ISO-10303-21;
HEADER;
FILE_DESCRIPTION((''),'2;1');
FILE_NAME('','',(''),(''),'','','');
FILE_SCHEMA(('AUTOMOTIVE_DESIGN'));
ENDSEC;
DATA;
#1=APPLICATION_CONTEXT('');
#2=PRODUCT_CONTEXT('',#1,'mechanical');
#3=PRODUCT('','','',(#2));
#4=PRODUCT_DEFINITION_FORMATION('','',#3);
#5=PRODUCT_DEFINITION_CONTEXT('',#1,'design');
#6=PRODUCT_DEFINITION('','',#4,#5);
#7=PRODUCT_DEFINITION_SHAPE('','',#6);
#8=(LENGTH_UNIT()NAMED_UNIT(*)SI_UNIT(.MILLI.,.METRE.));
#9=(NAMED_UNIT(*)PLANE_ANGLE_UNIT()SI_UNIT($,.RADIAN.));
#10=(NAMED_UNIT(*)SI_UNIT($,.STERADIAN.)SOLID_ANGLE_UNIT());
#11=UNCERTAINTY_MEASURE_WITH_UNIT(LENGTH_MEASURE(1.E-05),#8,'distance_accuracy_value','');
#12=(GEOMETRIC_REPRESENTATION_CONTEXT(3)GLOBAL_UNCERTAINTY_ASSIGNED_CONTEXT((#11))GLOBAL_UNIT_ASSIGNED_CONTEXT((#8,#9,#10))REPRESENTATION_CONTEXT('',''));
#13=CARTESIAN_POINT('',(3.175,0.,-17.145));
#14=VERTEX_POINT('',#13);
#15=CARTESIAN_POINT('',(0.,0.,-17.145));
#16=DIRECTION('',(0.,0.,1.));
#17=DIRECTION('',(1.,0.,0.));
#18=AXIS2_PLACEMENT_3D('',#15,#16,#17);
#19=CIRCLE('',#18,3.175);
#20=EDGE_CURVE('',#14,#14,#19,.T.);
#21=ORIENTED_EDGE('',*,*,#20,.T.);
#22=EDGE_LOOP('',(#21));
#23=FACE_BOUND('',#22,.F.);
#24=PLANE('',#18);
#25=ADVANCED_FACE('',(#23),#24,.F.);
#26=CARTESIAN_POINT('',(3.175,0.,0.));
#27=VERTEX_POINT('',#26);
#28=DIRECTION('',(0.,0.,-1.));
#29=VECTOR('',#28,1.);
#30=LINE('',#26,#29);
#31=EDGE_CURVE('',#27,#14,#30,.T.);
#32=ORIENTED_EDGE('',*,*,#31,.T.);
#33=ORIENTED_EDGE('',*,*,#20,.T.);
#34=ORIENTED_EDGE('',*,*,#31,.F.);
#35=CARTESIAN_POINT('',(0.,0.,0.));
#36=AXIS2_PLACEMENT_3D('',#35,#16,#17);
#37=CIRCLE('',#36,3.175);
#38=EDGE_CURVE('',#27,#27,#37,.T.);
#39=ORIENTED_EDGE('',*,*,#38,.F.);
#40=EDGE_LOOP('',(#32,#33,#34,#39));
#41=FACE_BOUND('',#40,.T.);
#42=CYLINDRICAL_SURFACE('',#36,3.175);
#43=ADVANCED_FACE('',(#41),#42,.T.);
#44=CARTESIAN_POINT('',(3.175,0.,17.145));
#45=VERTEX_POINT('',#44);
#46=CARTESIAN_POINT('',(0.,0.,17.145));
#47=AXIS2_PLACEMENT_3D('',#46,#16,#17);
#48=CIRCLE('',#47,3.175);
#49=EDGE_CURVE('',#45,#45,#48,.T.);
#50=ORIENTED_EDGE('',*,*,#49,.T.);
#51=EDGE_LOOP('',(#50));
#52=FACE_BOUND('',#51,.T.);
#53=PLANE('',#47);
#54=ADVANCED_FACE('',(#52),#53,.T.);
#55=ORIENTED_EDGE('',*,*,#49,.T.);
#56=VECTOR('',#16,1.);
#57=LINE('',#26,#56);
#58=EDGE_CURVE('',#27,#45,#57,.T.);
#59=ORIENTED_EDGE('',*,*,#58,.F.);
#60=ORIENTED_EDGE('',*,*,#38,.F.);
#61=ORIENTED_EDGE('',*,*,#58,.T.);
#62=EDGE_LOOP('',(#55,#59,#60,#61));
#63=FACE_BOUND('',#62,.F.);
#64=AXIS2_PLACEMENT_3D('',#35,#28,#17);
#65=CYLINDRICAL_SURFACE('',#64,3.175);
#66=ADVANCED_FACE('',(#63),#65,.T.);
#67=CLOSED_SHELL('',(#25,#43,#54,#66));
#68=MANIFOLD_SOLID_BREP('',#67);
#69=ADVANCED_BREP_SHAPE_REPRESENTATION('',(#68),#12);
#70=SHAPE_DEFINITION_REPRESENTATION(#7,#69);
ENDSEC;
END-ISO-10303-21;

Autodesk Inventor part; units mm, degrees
ref_plane "YZ Plane" through (0, 0, 0) normal (1, 0, 0) x (0, 1, 0)
ref_plane "XZ Plane" through (0, 0, 0) normal (0, 1, 0) x (-1, 0, 0)
ref_plane "XY Plane" through (0, 0, 0) normal (0, 0, 1) x (1, 0, 0)
sketch "Sketch1" plane through (0, 0, 0) normal (0, 0, 1) x (1, 0, 0)
  circle A0 centre (0, 0) radius 3.175
  dimension "d0" = 6.35
extrude "Extrusion1" add sketch "Sketch1" along normal mid plane 34.29
properties part number "Tube Holder connector" material "Aluminum 6061-AHC"
